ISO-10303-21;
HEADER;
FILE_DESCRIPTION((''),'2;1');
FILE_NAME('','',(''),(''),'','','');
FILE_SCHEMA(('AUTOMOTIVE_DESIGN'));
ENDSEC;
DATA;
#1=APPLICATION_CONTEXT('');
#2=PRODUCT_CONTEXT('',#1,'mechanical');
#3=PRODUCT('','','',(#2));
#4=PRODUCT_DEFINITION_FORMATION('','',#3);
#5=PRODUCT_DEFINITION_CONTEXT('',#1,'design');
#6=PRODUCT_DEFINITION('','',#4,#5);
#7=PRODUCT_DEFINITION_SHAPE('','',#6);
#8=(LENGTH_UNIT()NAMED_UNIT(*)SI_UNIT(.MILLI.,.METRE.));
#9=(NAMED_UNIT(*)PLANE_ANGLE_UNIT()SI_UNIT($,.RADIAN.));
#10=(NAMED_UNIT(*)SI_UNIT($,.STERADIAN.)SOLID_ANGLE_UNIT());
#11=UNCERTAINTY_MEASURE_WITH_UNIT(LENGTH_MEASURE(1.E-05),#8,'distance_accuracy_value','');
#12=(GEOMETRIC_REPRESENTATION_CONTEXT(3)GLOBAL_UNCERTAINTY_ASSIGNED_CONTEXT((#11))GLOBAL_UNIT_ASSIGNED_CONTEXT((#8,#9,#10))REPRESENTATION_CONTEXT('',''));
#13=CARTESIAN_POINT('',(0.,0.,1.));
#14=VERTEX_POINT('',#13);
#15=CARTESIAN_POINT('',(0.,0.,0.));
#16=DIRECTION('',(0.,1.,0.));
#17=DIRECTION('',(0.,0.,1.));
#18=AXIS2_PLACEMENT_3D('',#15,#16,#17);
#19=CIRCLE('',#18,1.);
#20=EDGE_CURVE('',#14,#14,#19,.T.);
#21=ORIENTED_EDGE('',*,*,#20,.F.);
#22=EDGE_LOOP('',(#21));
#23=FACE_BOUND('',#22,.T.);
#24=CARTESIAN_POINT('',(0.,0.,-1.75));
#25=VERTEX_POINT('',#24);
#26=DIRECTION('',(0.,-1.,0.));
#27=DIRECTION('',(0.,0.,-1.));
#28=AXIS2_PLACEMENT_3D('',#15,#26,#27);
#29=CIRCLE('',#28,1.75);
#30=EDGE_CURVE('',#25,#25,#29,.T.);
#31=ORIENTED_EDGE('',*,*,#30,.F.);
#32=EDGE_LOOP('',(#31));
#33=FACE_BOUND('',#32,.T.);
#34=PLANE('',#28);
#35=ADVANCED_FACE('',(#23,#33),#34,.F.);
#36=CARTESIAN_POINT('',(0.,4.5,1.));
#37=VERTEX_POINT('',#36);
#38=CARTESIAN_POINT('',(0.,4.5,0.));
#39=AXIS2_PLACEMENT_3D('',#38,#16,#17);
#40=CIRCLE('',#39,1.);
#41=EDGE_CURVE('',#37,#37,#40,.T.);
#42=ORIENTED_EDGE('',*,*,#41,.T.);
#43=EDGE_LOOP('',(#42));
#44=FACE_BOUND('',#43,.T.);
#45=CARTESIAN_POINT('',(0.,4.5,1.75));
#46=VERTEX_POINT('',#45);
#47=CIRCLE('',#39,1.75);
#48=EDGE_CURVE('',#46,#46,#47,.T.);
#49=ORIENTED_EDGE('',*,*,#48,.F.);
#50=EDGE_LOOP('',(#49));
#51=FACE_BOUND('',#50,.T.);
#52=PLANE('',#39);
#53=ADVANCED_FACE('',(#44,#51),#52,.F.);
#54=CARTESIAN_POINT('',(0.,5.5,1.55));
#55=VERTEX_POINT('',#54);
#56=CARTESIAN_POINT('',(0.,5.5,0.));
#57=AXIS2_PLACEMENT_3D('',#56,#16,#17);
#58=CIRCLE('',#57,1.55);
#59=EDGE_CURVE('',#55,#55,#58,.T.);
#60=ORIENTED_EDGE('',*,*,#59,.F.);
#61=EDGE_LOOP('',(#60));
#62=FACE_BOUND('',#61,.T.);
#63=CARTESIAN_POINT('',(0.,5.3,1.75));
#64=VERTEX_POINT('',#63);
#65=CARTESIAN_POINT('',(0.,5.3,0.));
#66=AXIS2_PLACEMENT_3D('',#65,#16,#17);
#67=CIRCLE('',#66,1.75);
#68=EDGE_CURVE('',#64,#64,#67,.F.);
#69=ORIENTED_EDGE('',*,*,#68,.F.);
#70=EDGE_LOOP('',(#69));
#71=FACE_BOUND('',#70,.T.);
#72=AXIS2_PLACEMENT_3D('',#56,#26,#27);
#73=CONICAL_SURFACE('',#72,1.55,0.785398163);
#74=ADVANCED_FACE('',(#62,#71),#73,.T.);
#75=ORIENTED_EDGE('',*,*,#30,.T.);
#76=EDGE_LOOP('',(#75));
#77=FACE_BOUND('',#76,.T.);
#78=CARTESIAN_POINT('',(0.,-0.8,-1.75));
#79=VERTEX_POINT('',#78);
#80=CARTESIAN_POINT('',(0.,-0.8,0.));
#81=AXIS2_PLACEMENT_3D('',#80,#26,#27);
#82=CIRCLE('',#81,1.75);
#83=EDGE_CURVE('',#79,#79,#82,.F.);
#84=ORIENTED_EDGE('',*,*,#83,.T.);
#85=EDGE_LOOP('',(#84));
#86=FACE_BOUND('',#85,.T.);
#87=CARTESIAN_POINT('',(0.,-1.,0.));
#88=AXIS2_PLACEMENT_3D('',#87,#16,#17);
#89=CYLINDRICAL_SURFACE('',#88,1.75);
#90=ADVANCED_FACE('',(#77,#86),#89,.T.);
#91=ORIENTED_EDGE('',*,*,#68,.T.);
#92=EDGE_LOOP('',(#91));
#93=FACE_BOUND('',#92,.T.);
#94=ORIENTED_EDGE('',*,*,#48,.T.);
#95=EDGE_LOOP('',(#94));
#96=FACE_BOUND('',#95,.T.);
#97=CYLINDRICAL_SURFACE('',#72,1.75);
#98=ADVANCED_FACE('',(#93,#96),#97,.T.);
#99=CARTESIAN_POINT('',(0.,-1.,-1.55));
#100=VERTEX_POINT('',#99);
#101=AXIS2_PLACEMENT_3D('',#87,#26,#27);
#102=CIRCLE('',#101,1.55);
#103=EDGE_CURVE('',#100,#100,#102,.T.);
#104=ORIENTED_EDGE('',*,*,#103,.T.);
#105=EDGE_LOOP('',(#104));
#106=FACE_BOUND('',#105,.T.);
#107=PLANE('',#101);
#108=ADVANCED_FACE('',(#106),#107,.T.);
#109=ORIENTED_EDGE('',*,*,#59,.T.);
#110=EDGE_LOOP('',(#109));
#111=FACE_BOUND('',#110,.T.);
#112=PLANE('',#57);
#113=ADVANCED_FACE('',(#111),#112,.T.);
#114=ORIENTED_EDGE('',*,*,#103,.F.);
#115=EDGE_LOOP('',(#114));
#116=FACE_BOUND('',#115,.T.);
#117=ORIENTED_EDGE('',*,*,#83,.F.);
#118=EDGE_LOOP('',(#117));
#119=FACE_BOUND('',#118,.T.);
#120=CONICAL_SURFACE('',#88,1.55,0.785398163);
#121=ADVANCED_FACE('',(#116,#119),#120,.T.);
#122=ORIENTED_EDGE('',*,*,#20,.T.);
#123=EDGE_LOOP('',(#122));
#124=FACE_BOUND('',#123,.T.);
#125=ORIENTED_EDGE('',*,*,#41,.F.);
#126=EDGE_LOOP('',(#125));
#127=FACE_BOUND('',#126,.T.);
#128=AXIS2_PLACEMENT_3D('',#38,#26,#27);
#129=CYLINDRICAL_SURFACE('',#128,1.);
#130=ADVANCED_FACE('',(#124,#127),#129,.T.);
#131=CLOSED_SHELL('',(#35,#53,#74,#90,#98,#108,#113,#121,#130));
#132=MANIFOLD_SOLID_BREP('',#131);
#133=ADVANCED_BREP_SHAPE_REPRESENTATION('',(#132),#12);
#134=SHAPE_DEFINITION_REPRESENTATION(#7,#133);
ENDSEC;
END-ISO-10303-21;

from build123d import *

# Parameters (mm, degrees)
SKETCH1_R           = 1
BOSS_EXTRUDE1_DEPTH = 4.5
SKETCH2_R           = 1.75
BOSS_EXTRUDE2_DEPTH = 1
CHAMFER1_SIZE       = 0.2
SKETCH3_R           = 1.75
BOSS_EXTRUDE3_DEPTH = 1
CHAMFER2_SIZE       = 0.2


with BuildPart() as part:
    # Sketch1 → Boss-Extrude1 (new body)
    with BuildSketch(Plane(origin=(0, 0, 0), x_dir=(1, 0, 0), z_dir=(0, 1, 0))):
        Circle(SKETCH1_R)
    extrude(amount=BOSS_EXTRUDE1_DEPTH)

    # Sketch2 → Boss-Extrude2 (add)
    with BuildSketch(Plane(origin=(0, 4.5, 0), x_dir=(1, 0, 0), z_dir=(0, 1, 0))):
        Circle(SKETCH2_R)
    extrude(amount=BOSS_EXTRUDE2_DEPTH)

    # Chamfer1
    chamfer1_edges = [part.edges().sort_by_distance(p)[0] for p in [
        (-1.75, 5.5, 0),
    ]]
    chamfer(chamfer1_edges, length=CHAMFER1_SIZE)

    # Sketch3 → Boss-Extrude3 (add)
    with BuildSketch(Plane.XZ):
        Circle(SKETCH3_R)
    extrude(amount=BOSS_EXTRUDE3_DEPTH)

    # Chamfer2
    chamfer2_edges = [part.edges().sort_by_distance(p)[0] for p in [
        (-1.75, -1, 0),
    ]]
    chamfer(chamfer2_edges, length=CHAMFER2_SIZE)


solid = part.part
